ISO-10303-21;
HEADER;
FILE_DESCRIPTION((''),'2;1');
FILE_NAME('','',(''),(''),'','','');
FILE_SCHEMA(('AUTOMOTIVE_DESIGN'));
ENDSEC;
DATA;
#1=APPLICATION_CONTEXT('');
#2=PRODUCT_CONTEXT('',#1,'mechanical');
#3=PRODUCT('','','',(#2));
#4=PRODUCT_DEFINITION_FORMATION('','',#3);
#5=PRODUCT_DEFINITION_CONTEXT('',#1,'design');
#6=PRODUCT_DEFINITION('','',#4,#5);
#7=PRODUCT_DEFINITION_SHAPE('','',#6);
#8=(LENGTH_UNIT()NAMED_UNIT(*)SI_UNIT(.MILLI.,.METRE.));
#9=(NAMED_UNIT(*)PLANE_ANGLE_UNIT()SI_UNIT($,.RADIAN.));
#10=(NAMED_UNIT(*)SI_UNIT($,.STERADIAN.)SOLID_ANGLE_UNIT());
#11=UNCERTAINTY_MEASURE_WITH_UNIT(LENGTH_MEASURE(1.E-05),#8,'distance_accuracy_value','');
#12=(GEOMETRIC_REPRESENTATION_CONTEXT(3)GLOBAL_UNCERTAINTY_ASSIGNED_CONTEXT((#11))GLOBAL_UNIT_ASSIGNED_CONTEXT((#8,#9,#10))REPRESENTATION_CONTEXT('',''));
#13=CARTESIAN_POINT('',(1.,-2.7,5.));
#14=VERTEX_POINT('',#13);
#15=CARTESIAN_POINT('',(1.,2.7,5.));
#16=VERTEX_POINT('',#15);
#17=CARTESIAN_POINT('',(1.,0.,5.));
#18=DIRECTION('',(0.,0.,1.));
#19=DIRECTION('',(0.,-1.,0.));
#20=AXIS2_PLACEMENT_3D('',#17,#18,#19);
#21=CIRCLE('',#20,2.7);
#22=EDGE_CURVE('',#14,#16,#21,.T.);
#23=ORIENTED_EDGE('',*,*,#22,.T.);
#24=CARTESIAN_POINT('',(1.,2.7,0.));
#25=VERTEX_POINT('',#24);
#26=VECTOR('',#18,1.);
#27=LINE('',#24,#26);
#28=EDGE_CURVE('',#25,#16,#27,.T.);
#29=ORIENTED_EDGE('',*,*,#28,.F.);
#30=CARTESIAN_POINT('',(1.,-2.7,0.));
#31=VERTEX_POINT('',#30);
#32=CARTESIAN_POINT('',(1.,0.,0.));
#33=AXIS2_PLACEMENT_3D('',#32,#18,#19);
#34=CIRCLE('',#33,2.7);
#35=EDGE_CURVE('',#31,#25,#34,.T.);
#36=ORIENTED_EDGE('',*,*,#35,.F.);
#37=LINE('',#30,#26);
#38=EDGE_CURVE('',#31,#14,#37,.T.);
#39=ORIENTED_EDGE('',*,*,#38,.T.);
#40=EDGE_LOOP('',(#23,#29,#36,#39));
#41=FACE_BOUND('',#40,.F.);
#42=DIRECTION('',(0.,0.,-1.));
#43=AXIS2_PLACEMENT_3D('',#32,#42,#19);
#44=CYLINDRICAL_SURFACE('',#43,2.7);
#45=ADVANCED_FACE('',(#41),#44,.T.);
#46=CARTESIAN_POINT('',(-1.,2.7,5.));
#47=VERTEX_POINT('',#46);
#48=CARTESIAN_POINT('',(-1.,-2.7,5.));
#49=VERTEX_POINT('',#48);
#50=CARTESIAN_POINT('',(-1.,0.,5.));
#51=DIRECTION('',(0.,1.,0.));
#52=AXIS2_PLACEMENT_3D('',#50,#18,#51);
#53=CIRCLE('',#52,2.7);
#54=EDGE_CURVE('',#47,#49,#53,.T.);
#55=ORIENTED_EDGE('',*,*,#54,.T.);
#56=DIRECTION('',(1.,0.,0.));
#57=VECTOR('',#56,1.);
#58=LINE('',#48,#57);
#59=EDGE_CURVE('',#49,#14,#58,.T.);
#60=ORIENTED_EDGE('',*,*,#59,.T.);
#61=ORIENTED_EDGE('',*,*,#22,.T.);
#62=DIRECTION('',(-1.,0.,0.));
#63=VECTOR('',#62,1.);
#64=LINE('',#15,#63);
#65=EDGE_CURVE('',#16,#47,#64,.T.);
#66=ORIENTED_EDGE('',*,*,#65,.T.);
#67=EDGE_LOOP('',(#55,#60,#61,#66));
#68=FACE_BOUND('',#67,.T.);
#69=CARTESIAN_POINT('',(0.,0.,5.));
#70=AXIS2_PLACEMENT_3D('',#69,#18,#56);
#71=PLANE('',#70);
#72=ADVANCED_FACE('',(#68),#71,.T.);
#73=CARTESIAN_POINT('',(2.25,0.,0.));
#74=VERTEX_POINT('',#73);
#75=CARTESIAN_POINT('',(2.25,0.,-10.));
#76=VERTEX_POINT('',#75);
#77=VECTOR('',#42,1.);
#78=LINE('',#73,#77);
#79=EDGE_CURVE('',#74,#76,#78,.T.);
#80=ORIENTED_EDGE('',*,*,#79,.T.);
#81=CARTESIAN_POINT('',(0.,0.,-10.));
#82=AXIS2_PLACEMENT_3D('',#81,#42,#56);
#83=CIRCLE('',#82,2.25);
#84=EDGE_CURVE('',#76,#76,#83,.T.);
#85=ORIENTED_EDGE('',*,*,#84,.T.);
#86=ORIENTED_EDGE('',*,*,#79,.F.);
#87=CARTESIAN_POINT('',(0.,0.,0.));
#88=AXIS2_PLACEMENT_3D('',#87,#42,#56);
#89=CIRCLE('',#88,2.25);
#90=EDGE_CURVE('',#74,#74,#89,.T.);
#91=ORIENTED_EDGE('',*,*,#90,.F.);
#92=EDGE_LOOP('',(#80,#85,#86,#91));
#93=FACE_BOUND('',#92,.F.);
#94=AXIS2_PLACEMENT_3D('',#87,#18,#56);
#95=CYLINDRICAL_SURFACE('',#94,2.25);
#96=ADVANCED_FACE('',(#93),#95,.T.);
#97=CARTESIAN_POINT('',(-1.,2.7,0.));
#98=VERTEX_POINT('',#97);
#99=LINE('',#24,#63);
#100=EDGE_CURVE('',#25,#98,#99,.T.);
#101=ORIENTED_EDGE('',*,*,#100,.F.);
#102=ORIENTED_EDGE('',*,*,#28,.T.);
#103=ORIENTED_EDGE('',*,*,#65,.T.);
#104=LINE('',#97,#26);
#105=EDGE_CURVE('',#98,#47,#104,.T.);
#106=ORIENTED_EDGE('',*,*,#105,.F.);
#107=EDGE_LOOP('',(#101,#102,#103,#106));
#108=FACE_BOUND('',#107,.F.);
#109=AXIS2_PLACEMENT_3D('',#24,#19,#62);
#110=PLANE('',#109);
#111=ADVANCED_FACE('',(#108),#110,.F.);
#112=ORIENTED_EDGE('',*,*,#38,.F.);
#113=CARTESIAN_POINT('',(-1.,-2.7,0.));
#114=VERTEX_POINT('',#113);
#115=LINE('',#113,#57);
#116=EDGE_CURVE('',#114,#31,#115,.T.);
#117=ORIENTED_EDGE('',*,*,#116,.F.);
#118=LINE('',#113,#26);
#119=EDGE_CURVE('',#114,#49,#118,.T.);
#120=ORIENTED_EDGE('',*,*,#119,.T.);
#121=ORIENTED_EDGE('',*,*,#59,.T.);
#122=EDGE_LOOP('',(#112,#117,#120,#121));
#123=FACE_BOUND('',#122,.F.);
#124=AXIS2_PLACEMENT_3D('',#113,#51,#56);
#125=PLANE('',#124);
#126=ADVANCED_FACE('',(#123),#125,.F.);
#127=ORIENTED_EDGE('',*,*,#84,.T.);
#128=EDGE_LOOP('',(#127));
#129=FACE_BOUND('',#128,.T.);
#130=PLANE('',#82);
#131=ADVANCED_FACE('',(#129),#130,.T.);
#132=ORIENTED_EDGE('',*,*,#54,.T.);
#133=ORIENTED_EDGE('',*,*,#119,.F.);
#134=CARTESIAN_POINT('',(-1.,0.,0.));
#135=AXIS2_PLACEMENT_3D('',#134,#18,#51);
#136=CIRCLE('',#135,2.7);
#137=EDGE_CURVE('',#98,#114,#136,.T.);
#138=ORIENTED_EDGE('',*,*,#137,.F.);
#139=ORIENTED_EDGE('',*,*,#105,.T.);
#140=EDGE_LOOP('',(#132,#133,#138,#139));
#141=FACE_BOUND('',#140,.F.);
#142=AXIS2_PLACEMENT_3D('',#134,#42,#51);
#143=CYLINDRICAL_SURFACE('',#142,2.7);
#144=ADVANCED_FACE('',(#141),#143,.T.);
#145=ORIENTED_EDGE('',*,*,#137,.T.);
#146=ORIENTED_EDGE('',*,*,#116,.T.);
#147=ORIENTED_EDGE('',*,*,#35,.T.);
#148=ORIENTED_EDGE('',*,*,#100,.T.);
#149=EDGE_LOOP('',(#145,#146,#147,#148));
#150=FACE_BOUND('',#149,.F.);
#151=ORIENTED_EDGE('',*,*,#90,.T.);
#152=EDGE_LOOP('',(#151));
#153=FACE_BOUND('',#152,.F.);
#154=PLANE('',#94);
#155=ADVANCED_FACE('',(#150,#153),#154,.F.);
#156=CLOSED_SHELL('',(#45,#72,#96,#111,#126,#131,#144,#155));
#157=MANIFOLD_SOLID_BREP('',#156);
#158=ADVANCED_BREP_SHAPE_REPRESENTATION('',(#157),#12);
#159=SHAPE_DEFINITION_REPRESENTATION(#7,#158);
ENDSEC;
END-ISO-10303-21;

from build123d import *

# Parameters (mm, degrees)
F1_DEPTH = 5
F2_R     = 2.25
F3_DEPTH = 10


with BuildPart() as f1:
    # F0 (on Top) → F1 (new body)
    with BuildSketch(Plane.XY):
        with BuildLine():
            Line((1, 2.7), (-1, 2.7))
            ThreePointArc((-1, 2.7), (-3.7, 0), (-1, -2.7))
            Line((-1, -2.7), (1, -2.7))
            ThreePointArc((1, -2.7), (3.7, 0), (1, 2.7))
        make_face()
    extrude(amount=F1_DEPTH)

    # F2 (on face) → F3 (join)
    with BuildSketch(Plane(origin=(0, 0, 0), x_dir=(1, 0, 0), z_dir=(0, 0, -1))):
        Circle(F2_R)
    extrude(amount=F3_DEPTH)


solid = f1.part
